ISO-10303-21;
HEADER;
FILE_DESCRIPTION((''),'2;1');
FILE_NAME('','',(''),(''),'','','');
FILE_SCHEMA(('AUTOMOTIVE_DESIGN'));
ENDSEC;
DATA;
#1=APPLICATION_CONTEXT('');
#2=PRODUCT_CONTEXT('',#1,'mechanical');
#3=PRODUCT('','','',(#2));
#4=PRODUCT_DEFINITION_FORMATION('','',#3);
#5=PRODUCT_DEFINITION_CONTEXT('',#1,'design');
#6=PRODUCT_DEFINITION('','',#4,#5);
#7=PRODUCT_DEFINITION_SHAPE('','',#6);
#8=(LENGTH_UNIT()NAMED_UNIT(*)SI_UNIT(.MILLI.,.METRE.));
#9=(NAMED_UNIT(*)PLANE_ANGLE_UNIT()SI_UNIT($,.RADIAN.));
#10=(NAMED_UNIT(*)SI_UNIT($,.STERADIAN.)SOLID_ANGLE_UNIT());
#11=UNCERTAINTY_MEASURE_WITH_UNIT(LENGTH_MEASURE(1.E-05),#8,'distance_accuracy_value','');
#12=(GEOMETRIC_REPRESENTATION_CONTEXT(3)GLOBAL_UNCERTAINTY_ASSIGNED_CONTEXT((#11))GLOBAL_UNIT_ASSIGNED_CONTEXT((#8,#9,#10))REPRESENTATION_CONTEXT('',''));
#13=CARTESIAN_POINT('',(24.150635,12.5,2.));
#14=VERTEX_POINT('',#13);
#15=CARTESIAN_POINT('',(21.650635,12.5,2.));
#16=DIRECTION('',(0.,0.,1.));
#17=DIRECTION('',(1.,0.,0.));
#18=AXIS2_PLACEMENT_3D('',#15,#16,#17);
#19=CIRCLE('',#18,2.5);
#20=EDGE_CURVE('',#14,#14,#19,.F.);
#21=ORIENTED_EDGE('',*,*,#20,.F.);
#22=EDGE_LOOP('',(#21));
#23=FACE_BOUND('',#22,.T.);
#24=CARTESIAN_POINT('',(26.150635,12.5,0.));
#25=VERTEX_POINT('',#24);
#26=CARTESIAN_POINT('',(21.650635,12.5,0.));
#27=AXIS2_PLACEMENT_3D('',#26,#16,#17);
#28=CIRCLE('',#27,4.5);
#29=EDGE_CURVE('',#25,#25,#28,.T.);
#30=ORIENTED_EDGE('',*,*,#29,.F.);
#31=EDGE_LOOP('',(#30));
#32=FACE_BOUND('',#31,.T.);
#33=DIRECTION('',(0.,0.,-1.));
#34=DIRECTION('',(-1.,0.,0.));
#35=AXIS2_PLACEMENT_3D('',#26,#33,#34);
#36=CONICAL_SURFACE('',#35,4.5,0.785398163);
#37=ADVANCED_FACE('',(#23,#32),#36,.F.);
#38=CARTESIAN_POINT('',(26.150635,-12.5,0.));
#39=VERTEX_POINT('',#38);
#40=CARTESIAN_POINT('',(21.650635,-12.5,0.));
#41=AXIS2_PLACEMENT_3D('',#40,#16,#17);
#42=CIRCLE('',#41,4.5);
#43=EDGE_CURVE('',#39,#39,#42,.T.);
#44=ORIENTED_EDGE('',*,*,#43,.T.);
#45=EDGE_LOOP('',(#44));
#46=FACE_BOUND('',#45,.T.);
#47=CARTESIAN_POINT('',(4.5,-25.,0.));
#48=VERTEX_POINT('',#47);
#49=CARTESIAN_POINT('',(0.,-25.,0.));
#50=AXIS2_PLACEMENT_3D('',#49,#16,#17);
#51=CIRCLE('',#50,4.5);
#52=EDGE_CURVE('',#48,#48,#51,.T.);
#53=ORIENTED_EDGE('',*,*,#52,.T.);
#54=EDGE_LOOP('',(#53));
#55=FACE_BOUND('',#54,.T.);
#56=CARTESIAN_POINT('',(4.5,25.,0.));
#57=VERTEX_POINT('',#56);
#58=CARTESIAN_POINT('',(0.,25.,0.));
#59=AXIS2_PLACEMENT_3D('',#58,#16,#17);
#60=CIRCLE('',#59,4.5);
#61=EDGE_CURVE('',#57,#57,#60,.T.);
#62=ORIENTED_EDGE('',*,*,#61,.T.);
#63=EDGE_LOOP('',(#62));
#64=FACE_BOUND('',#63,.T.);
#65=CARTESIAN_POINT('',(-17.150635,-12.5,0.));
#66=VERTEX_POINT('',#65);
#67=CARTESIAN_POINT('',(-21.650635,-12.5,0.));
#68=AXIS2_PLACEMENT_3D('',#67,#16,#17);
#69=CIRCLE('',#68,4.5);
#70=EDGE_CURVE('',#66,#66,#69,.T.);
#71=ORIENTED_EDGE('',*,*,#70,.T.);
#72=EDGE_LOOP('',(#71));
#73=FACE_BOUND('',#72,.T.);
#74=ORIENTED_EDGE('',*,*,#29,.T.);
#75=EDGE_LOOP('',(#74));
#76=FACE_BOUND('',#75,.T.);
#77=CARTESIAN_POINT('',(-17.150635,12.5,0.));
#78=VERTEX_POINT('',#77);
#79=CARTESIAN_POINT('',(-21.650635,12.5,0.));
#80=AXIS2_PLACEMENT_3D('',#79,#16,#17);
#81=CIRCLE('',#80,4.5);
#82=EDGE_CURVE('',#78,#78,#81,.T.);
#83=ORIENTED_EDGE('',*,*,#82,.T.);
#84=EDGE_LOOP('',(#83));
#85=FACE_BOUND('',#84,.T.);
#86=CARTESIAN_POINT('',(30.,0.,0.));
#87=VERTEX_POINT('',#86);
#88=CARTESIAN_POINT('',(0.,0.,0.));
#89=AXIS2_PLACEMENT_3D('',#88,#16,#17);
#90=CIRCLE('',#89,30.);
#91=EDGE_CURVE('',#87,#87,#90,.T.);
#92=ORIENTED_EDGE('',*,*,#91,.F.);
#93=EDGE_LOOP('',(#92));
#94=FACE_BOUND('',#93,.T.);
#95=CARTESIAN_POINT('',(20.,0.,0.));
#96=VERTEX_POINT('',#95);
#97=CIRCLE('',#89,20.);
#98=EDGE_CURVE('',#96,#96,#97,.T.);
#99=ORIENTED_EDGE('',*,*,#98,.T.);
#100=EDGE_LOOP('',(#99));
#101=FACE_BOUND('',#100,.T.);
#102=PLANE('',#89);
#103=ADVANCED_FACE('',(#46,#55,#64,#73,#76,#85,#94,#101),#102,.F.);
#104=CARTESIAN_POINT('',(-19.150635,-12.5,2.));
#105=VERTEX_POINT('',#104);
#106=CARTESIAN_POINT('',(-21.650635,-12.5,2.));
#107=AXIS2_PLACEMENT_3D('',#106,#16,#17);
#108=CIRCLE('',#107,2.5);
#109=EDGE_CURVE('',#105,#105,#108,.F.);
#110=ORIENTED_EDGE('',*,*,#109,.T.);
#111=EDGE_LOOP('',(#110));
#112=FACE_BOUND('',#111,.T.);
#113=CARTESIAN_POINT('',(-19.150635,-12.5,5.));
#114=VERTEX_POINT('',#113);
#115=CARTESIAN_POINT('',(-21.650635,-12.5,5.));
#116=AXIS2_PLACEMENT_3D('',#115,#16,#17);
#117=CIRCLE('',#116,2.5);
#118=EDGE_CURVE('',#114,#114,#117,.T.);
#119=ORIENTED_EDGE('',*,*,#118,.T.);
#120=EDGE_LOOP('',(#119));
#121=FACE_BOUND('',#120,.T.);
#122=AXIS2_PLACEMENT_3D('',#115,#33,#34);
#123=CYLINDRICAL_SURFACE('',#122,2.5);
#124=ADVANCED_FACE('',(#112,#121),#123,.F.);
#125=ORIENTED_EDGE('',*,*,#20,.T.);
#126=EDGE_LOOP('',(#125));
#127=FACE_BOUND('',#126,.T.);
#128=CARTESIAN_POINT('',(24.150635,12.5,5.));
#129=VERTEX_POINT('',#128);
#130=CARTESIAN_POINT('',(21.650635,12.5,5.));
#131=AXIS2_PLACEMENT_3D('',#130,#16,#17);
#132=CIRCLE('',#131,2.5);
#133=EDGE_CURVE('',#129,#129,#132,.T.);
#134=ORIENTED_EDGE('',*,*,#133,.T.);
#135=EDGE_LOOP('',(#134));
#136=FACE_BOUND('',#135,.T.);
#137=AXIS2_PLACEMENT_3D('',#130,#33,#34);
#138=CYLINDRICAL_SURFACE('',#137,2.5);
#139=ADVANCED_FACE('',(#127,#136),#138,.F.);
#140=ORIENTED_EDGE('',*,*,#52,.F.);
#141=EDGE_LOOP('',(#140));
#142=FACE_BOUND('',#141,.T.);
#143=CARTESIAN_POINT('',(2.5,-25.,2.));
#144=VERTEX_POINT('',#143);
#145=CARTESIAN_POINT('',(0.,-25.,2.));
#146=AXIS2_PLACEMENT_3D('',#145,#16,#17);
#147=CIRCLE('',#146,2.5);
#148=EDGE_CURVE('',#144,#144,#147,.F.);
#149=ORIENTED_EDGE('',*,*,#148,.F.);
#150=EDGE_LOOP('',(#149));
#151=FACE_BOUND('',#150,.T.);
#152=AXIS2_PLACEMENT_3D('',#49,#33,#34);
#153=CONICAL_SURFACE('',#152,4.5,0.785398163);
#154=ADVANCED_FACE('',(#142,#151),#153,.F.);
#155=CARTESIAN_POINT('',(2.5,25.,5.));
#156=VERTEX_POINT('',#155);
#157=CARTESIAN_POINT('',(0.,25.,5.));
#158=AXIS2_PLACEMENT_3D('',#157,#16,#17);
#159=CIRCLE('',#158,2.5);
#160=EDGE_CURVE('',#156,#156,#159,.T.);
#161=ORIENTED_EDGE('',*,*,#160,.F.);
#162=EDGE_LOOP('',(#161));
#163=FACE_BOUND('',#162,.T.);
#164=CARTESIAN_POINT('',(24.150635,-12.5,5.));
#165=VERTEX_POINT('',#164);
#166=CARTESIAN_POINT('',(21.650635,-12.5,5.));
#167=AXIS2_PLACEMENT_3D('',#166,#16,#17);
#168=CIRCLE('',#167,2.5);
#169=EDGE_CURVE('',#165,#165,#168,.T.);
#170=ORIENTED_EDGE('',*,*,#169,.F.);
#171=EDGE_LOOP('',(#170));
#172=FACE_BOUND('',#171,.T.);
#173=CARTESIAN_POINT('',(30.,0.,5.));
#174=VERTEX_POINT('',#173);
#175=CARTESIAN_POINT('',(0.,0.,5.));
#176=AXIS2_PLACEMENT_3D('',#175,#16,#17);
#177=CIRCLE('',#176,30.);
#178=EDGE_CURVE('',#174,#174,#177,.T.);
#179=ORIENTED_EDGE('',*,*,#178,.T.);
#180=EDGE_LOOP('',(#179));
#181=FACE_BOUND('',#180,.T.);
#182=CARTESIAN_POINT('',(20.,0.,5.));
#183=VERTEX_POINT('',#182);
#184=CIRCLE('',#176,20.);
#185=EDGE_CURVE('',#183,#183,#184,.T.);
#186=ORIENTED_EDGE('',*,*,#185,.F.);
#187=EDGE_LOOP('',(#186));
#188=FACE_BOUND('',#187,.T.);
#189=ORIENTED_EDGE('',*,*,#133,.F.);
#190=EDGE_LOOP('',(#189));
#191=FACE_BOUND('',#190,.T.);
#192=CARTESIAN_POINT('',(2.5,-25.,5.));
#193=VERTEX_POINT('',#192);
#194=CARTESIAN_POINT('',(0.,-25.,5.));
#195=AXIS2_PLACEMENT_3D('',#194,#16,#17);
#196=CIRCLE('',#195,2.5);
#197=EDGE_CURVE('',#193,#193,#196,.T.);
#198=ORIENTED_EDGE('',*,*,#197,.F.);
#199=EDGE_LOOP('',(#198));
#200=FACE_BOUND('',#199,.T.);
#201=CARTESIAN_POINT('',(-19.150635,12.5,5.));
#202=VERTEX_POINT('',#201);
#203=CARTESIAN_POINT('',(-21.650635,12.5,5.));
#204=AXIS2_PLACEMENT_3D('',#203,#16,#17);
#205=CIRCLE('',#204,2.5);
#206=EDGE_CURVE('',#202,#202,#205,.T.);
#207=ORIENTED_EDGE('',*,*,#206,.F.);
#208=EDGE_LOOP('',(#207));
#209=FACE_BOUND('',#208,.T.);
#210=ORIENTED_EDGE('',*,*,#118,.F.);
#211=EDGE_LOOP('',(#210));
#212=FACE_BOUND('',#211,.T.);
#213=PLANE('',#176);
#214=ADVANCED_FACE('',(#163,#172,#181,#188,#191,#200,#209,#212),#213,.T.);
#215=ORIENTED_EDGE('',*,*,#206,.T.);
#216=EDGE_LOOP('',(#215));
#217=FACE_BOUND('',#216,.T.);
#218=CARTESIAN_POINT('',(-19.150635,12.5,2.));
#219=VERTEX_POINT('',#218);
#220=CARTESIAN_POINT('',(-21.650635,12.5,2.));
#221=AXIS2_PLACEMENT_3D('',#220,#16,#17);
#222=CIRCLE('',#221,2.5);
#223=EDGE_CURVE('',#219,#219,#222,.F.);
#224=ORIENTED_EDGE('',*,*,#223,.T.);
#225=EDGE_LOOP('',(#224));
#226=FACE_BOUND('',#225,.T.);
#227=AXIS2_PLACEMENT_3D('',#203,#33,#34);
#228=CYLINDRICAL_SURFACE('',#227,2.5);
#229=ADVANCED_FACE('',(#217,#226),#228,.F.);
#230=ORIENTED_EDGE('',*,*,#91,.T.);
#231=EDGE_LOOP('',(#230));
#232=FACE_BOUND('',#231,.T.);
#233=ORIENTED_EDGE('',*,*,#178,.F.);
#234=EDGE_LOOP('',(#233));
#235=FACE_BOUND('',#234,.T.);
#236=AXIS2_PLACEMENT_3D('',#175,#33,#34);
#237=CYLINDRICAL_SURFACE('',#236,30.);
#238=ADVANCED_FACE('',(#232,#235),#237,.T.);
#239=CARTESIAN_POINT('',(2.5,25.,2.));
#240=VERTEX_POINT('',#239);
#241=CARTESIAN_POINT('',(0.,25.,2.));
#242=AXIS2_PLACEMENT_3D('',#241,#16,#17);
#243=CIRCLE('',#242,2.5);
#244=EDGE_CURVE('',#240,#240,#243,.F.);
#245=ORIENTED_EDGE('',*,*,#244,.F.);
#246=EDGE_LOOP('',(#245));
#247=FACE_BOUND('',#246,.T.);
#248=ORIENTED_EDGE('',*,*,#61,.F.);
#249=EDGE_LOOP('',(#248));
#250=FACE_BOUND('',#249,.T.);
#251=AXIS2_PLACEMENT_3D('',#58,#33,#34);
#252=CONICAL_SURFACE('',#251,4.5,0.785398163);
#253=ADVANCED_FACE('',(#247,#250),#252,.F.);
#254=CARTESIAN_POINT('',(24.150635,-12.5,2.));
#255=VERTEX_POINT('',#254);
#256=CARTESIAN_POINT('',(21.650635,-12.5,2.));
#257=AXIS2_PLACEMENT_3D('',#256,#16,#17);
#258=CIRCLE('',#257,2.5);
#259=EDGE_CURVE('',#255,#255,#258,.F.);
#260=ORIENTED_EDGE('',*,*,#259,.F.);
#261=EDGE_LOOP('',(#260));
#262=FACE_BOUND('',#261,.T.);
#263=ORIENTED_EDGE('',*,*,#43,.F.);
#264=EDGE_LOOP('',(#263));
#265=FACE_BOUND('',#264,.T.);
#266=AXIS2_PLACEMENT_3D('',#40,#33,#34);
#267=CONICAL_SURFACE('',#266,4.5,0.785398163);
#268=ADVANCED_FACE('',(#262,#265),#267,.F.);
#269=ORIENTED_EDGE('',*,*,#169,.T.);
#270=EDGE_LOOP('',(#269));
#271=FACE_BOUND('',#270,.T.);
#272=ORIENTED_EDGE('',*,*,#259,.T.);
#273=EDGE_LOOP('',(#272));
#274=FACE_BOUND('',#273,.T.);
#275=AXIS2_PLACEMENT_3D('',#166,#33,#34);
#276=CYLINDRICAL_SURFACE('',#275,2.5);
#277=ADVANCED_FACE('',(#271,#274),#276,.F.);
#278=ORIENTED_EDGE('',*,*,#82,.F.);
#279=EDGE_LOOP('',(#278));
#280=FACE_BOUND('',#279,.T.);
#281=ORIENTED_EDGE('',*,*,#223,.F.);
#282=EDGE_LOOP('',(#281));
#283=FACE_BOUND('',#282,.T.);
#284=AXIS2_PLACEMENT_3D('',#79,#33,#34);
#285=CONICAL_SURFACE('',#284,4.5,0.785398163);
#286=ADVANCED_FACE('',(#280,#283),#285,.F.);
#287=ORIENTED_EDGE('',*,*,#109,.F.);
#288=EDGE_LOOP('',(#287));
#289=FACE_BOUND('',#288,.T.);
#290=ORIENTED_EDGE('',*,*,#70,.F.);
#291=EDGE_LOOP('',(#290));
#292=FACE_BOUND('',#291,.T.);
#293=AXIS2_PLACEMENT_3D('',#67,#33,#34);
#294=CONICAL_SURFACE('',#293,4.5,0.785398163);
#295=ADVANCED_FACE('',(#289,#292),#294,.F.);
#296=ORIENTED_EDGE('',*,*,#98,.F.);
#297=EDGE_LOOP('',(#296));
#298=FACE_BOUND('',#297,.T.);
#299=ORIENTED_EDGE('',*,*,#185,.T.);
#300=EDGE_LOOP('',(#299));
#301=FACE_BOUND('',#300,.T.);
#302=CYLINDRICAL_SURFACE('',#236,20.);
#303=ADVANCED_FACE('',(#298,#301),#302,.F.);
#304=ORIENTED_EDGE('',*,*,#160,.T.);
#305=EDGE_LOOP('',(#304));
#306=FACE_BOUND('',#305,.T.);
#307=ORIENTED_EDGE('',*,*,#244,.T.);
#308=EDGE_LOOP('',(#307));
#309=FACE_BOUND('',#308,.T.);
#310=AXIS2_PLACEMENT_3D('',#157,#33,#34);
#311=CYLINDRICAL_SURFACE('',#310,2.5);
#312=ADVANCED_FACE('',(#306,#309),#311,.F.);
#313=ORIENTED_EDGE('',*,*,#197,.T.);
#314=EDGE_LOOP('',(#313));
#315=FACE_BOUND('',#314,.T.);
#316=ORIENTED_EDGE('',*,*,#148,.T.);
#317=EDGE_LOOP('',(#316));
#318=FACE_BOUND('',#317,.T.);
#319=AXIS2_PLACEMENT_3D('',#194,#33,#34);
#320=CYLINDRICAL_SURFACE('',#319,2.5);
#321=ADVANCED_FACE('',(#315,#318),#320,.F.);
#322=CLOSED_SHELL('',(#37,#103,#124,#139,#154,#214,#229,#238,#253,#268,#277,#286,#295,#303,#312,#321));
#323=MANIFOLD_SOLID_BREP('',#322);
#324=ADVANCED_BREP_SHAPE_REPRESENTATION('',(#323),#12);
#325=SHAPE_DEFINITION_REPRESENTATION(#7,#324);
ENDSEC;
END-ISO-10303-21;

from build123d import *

# Parameters (mm, degrees)
SKETCH1_R           = 30
SKETCH1_R_2         = 20
SKETCH1_R_3         = 2.5
BOSS_EXTRUDE1_DEPTH = 5
CHAMFER1_SIZE       = 2


with BuildPart() as part:
    # Sketch1 → Boss-Extrude1 (new body)
    with BuildSketch(Plane.XY):
        Circle(SKETCH1_R)
        Circle(SKETCH1_R_2, mode=Mode.SUBTRACT)
        with Locations((0, 25)):
            Circle(SKETCH1_R_3, mode=Mode.SUBTRACT)
        with Locations((21.650635095, 12.5)):
            Circle(SKETCH1_R_3, mode=Mode.SUBTRACT)
        with Locations((21.650635095, -12.5)):
            Circle(SKETCH1_R_3, mode=Mode.SUBTRACT)
        with Locations((0, -25)):
            Circle(SKETCH1_R_3, mode=Mode.SUBTRACT)
        with Locations((-21.650635095, -12.5)):
            Circle(SKETCH1_R_3, mode=Mode.SUBTRACT)
        with Locations((-21.650635095, 12.5)):
            Circle(SKETCH1_R_3, mode=Mode.SUBTRACT)
    extrude(amount=BOSS_EXTRUDE1_DEPTH)

    # Chamfer1
    chamfer1_edges = [part.edges().sort_by_distance(p)[0] for p in [
        (19.150635095, -12.5, 0),
        (-2.5, -25, 0),
        (-24.150635095, -12.5, 0),
        (-24.150635095, 12.5, 0),
        (-2.5, 25, 0),
        (19.150635095, 12.5, 0),
    ]]
    chamfer(chamfer1_edges, length=CHAMFER1_SIZE)


solid = part.part
